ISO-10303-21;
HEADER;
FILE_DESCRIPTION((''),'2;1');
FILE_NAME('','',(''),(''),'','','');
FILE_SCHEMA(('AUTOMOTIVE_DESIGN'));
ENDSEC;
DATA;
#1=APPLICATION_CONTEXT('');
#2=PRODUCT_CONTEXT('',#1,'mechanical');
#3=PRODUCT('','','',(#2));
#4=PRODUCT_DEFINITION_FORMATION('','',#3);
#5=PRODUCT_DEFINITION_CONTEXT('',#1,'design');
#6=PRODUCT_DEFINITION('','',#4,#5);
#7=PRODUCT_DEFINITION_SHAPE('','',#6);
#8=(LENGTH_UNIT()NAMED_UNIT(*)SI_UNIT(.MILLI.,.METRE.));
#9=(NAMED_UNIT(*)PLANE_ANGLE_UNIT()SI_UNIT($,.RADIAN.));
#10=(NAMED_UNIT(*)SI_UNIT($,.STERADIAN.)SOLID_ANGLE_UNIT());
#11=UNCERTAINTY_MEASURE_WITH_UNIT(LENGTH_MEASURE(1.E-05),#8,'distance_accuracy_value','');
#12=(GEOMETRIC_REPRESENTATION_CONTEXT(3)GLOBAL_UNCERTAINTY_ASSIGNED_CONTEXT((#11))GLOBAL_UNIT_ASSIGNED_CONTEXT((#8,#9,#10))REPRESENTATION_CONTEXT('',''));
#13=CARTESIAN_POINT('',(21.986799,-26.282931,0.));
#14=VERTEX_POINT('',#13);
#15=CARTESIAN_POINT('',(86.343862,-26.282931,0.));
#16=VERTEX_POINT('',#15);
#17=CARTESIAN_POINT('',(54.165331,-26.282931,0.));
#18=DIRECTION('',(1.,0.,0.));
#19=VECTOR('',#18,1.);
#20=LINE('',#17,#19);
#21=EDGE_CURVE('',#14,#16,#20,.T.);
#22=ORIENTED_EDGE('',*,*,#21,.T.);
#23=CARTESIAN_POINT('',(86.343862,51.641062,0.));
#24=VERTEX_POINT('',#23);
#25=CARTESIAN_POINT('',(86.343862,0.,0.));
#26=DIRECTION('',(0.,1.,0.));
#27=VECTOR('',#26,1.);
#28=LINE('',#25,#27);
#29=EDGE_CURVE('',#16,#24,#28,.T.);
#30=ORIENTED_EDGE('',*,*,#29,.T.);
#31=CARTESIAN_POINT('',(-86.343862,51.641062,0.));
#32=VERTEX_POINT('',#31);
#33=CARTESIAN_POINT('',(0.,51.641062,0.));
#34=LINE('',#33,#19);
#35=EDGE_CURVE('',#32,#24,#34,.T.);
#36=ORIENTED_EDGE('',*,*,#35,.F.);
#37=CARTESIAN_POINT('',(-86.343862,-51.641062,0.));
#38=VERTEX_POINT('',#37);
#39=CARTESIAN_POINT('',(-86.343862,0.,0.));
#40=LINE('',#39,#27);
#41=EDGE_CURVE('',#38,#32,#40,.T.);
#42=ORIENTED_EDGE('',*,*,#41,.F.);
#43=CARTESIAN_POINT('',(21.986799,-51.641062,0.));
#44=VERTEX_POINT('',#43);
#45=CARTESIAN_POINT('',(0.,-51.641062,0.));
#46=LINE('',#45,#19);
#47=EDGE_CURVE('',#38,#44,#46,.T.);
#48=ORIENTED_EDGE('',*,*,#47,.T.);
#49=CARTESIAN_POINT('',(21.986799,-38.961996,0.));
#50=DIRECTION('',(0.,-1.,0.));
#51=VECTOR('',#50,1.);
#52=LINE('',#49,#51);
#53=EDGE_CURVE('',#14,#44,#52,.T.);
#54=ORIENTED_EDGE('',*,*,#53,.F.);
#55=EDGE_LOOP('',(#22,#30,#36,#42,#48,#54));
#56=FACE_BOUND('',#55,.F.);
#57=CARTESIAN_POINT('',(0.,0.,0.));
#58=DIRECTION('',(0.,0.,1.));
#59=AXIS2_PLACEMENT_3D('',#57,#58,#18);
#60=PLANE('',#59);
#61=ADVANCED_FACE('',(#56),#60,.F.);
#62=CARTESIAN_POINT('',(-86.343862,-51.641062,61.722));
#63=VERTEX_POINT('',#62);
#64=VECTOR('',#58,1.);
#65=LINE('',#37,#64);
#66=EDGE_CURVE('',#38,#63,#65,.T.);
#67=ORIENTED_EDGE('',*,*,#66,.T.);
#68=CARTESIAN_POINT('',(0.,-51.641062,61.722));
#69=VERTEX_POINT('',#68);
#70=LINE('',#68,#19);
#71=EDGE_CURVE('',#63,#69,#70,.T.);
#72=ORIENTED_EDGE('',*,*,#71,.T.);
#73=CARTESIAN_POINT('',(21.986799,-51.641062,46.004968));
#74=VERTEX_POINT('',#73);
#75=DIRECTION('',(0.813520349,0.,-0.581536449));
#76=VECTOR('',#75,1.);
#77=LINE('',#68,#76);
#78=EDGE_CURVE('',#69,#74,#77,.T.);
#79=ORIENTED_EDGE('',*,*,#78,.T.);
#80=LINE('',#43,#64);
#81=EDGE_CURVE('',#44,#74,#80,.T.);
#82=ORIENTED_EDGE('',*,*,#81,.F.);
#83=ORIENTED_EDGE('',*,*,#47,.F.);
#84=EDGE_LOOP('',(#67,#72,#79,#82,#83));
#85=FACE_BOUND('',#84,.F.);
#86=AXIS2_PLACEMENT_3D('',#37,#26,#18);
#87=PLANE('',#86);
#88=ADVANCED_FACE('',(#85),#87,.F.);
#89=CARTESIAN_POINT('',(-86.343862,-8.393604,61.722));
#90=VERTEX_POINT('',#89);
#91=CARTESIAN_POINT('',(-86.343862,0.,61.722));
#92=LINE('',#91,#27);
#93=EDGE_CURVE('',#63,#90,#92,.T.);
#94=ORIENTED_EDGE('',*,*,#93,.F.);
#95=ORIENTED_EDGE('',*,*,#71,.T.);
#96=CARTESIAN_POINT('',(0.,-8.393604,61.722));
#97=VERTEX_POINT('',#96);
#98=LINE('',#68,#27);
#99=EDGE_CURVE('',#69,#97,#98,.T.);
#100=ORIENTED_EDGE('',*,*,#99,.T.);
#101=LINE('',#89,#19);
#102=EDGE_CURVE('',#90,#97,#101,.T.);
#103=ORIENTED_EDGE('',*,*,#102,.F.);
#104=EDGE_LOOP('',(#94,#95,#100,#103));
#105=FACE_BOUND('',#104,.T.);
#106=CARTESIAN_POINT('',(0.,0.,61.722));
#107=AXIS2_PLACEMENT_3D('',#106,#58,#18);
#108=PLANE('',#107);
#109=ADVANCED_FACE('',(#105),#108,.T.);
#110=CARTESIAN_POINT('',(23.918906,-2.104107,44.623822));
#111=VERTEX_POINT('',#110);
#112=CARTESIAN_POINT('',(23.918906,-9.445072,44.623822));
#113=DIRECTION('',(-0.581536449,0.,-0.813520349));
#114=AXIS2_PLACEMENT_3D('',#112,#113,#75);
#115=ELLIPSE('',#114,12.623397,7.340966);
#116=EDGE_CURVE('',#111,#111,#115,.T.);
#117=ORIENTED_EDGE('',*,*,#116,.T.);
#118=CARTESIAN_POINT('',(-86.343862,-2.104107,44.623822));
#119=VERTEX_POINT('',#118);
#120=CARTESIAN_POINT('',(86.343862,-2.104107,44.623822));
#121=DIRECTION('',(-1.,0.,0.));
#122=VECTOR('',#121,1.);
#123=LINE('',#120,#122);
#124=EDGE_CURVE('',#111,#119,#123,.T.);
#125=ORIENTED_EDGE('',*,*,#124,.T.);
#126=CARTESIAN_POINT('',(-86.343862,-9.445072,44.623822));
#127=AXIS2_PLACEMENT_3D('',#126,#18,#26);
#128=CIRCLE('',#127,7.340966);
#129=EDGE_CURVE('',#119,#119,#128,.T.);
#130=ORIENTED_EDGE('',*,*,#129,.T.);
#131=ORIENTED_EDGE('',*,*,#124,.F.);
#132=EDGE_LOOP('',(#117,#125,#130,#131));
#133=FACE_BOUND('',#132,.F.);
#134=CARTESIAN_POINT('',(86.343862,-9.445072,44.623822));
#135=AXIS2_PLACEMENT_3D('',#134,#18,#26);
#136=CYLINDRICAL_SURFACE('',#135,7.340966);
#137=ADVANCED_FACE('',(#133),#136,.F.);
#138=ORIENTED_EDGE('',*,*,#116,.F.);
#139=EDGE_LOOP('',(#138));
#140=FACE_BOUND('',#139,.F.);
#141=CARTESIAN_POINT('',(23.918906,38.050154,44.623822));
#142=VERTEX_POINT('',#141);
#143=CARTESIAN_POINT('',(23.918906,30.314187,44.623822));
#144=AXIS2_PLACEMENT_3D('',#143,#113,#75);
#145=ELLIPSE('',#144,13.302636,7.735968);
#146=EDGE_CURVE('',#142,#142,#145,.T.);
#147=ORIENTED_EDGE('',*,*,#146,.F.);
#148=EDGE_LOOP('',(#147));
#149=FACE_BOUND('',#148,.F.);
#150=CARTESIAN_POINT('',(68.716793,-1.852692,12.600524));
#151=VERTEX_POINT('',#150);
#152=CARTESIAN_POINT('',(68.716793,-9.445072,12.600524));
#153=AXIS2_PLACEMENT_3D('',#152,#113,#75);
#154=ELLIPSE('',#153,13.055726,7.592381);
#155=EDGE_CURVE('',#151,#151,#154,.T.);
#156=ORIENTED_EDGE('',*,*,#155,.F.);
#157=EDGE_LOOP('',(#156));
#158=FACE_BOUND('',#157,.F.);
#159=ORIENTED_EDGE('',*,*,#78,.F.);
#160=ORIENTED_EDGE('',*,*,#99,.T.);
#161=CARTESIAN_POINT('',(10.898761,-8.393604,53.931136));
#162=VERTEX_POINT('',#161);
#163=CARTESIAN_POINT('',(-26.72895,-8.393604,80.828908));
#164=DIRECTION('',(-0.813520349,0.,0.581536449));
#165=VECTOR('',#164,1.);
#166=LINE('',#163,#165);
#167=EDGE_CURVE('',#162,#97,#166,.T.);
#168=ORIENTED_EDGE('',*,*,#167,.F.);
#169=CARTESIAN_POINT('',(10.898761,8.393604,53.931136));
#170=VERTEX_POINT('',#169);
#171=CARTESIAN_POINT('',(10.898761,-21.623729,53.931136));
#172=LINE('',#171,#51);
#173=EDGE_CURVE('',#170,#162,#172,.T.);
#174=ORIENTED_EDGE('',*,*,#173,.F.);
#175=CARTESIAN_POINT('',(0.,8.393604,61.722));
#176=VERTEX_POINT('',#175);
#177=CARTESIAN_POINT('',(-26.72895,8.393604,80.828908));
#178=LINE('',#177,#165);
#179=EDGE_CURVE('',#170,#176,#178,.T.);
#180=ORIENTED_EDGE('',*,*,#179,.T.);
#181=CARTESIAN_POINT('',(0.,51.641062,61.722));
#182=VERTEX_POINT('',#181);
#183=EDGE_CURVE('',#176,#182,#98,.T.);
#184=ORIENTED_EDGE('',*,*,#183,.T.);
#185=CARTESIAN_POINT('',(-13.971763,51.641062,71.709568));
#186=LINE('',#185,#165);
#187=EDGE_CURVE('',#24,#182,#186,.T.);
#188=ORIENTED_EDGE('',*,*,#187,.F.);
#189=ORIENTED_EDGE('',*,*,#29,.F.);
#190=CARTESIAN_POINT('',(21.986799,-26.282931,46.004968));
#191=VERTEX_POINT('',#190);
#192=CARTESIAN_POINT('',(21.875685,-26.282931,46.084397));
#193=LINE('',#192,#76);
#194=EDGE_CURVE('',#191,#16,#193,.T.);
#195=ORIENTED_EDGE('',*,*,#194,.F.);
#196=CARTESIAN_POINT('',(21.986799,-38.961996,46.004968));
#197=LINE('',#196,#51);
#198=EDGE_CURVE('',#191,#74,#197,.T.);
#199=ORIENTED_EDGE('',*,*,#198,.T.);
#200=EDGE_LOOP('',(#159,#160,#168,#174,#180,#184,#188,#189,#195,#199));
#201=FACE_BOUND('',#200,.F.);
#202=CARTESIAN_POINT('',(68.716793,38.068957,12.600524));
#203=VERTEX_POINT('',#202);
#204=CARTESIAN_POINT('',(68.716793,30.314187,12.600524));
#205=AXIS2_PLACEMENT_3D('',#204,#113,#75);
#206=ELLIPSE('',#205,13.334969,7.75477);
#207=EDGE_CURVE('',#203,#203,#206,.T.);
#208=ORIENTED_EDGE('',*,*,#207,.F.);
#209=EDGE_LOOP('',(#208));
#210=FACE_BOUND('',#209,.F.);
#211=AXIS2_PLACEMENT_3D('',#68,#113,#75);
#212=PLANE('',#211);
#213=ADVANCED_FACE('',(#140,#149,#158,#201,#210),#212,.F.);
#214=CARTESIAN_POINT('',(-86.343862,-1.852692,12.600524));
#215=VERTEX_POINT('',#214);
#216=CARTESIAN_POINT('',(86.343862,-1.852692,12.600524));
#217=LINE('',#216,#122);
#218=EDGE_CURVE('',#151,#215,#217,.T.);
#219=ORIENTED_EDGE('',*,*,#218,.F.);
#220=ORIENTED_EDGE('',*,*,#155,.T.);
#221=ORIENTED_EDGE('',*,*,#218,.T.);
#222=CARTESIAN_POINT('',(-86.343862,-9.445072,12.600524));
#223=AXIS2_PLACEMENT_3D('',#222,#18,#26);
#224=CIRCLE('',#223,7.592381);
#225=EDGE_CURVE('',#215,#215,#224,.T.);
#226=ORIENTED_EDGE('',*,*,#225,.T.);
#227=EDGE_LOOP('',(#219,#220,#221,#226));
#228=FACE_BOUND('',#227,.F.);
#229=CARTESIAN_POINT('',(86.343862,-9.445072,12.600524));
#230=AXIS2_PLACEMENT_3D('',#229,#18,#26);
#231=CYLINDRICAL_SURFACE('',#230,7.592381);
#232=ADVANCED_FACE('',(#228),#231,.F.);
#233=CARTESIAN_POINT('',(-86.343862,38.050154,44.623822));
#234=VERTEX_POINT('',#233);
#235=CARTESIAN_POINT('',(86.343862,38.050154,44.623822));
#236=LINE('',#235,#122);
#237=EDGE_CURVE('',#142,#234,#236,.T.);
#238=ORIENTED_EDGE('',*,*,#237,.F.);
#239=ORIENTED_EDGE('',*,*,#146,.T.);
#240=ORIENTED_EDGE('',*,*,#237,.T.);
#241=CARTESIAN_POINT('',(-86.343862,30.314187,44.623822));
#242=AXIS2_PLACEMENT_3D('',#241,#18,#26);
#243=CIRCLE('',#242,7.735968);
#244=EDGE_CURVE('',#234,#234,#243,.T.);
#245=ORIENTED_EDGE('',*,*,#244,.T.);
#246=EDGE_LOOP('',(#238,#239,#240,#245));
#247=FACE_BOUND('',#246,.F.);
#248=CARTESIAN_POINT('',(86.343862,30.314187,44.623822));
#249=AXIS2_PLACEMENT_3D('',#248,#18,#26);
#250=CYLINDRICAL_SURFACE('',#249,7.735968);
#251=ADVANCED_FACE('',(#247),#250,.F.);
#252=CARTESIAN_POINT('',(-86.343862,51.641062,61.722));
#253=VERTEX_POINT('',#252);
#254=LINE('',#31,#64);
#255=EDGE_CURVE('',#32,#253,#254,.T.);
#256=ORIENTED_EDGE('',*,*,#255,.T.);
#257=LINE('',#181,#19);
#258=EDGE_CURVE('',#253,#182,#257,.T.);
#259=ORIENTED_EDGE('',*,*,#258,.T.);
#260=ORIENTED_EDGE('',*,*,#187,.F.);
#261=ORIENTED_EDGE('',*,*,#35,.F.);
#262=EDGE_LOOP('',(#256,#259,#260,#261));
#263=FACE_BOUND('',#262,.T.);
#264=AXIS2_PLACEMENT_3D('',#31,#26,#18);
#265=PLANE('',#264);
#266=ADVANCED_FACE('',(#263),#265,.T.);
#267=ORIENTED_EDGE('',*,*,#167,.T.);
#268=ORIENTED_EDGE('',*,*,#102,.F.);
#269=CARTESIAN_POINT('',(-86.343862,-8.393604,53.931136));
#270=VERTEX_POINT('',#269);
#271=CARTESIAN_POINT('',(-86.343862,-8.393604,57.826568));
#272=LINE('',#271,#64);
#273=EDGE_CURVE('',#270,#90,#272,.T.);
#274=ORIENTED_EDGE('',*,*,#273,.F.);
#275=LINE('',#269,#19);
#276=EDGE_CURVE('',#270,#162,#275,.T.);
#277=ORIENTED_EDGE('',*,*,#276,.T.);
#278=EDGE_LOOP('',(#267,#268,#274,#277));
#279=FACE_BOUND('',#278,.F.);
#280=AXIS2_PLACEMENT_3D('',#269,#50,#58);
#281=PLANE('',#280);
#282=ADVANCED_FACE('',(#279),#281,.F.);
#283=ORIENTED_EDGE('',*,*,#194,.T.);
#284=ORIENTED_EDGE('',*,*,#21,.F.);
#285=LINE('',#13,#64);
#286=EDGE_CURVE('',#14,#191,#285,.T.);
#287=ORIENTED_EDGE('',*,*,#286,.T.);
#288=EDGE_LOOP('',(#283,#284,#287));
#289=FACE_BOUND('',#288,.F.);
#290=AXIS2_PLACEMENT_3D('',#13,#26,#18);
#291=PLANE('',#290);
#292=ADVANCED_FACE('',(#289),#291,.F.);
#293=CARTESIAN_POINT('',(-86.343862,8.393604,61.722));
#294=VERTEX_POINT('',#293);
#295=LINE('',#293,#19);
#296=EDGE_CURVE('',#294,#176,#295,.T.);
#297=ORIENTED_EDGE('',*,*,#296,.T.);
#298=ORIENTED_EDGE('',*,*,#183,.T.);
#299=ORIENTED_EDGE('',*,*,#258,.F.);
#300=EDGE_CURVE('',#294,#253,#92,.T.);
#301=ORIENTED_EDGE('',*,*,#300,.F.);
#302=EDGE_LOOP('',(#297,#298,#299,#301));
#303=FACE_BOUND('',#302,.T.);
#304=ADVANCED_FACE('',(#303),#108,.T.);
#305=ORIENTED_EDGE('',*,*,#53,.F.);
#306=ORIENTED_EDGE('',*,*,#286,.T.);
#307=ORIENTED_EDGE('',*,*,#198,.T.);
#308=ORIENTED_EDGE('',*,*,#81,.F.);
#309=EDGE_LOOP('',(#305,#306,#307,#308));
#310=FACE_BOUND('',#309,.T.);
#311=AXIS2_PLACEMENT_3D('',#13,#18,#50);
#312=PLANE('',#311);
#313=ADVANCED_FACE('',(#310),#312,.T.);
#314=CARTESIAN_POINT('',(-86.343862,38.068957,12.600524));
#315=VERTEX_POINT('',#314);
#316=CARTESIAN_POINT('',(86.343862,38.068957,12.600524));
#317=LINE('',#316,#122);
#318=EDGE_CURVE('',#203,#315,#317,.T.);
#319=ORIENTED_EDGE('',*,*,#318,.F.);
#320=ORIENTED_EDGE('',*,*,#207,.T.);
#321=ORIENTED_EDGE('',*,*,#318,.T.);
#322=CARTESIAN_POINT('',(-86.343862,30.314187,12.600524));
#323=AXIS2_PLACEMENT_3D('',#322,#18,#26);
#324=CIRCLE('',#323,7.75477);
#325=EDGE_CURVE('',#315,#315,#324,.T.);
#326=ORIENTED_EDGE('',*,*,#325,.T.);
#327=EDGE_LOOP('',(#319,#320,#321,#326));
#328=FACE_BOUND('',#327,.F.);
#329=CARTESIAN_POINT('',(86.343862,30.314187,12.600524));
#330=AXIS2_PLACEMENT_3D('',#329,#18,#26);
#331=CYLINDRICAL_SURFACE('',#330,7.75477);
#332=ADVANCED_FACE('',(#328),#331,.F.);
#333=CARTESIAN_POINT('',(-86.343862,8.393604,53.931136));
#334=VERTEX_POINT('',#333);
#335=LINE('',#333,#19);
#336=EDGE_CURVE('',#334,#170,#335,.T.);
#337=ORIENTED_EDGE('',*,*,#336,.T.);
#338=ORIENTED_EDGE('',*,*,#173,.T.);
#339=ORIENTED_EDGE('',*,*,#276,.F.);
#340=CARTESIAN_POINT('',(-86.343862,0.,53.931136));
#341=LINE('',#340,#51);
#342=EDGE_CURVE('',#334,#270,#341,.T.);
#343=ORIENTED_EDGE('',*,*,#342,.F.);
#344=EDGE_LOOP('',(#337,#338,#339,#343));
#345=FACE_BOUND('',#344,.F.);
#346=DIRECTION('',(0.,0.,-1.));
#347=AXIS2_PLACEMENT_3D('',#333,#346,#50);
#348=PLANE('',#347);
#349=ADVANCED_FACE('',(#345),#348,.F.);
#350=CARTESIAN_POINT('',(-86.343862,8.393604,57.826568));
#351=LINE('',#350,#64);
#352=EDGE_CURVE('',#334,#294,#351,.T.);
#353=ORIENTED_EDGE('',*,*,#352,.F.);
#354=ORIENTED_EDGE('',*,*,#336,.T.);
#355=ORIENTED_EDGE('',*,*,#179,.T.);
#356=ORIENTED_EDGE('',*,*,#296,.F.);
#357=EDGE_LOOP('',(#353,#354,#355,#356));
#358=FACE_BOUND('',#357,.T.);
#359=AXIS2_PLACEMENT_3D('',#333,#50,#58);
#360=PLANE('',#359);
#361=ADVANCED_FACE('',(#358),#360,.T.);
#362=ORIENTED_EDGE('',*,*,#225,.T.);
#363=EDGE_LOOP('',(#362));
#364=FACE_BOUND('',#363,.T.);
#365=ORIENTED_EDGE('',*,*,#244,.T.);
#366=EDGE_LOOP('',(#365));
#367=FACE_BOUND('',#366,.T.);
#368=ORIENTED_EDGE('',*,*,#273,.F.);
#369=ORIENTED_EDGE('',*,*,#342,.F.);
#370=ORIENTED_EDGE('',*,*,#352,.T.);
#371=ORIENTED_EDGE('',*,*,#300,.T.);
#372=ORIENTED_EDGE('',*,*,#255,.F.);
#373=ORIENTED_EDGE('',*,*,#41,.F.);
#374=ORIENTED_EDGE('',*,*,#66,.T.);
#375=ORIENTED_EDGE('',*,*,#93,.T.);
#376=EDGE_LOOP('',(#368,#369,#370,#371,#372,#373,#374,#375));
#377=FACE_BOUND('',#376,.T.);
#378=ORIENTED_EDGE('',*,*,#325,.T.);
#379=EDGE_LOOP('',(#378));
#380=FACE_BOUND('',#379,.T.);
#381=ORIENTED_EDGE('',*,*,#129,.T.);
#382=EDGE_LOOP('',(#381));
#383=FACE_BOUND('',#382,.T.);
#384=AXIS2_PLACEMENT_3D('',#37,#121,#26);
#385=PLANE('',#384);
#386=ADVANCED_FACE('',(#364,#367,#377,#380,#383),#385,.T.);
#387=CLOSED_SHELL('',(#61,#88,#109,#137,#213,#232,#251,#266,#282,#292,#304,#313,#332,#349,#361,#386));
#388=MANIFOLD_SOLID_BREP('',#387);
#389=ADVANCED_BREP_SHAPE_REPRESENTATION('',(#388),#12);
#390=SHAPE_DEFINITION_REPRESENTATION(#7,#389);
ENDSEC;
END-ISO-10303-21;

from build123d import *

# Parameters (mm, degrees)
F0_W     = 172.6877242327
F0_H     = 103.2821238041
F1_DEPTH = 61.722
F2_R     = 7.7359676361
F2_R_2   = 7.3409655567
F2_R_3   = 7.5923806125
F2_R_4   = 7.7547702854
F3_DEPTH = 324.104
F5_DEPTH = 152.4
F6_W     = 64.3570628017
F6_H     = 25.3581311554
F7_DEPTH = 75.438
F8_W     = 16.7872086167
F8_H     = 7.7908643157
F9_DEPTH = 109.728


with BuildPart() as f1:
    # F0 (on Top) → F1 (new body)
    with BuildSketch(Plane.XY):
        Rectangle(F0_W, F0_H)
    extrude(amount=F1_DEPTH)

    # F2 (on face) → F3 (cut)
    with BuildSketch(Plane.YZ.offset(86.3438621163)):
        with Locations((30.3141865879, 44.6238219738)):
            Circle(F2_R)
        with Locations((-9.4450721517, 44.6238219738)):
            Circle(F2_R_2)
        with Locations((-9.4450721517, 12.600524351)):
            Circle(F2_R_3)
        with Locations((30.3141865879, 12.600524351)):
            Circle(F2_R_4)
    extrude(amount=-F3_DEPTH, mode=Mode.SUBTRACT)

    # F4 (on face) → F5 (cut)
    with BuildSketch(Plane.XZ.offset(51.641061902)):
        Polygon((86.3438621163, 61.722), (0, 61.722), (86.3438621163, 0), align=None)
    extrude(amount=-F5_DEPTH, mode=Mode.SUBTRACT)

    # F6 (on face) → F7 (cut)
    with BuildSketch(Plane(origin=(0, 0, 0), x_dir=(1, 0, 0), z_dir=(0, 0, -1))):
        with Locations((54.1653307155, 38.9619963244)):
            Rectangle(F6_W, F6_H)
    extrude(amount=-F7_DEPTH, mode=Mode.SUBTRACT)

    # F8 (on face) → F9 (cut)
    with BuildSketch(Plane(origin=(-86.3438621163, 0, 0), x_dir=(0, -1, 0), z_dir=(-1, 0, 0))):
        with Locations((0, 57.8265678421)):
            Rectangle(F8_W, F8_H)
    extrude(amount=-F9_DEPTH, mode=Mode.SUBTRACT)


solid = f1.part
